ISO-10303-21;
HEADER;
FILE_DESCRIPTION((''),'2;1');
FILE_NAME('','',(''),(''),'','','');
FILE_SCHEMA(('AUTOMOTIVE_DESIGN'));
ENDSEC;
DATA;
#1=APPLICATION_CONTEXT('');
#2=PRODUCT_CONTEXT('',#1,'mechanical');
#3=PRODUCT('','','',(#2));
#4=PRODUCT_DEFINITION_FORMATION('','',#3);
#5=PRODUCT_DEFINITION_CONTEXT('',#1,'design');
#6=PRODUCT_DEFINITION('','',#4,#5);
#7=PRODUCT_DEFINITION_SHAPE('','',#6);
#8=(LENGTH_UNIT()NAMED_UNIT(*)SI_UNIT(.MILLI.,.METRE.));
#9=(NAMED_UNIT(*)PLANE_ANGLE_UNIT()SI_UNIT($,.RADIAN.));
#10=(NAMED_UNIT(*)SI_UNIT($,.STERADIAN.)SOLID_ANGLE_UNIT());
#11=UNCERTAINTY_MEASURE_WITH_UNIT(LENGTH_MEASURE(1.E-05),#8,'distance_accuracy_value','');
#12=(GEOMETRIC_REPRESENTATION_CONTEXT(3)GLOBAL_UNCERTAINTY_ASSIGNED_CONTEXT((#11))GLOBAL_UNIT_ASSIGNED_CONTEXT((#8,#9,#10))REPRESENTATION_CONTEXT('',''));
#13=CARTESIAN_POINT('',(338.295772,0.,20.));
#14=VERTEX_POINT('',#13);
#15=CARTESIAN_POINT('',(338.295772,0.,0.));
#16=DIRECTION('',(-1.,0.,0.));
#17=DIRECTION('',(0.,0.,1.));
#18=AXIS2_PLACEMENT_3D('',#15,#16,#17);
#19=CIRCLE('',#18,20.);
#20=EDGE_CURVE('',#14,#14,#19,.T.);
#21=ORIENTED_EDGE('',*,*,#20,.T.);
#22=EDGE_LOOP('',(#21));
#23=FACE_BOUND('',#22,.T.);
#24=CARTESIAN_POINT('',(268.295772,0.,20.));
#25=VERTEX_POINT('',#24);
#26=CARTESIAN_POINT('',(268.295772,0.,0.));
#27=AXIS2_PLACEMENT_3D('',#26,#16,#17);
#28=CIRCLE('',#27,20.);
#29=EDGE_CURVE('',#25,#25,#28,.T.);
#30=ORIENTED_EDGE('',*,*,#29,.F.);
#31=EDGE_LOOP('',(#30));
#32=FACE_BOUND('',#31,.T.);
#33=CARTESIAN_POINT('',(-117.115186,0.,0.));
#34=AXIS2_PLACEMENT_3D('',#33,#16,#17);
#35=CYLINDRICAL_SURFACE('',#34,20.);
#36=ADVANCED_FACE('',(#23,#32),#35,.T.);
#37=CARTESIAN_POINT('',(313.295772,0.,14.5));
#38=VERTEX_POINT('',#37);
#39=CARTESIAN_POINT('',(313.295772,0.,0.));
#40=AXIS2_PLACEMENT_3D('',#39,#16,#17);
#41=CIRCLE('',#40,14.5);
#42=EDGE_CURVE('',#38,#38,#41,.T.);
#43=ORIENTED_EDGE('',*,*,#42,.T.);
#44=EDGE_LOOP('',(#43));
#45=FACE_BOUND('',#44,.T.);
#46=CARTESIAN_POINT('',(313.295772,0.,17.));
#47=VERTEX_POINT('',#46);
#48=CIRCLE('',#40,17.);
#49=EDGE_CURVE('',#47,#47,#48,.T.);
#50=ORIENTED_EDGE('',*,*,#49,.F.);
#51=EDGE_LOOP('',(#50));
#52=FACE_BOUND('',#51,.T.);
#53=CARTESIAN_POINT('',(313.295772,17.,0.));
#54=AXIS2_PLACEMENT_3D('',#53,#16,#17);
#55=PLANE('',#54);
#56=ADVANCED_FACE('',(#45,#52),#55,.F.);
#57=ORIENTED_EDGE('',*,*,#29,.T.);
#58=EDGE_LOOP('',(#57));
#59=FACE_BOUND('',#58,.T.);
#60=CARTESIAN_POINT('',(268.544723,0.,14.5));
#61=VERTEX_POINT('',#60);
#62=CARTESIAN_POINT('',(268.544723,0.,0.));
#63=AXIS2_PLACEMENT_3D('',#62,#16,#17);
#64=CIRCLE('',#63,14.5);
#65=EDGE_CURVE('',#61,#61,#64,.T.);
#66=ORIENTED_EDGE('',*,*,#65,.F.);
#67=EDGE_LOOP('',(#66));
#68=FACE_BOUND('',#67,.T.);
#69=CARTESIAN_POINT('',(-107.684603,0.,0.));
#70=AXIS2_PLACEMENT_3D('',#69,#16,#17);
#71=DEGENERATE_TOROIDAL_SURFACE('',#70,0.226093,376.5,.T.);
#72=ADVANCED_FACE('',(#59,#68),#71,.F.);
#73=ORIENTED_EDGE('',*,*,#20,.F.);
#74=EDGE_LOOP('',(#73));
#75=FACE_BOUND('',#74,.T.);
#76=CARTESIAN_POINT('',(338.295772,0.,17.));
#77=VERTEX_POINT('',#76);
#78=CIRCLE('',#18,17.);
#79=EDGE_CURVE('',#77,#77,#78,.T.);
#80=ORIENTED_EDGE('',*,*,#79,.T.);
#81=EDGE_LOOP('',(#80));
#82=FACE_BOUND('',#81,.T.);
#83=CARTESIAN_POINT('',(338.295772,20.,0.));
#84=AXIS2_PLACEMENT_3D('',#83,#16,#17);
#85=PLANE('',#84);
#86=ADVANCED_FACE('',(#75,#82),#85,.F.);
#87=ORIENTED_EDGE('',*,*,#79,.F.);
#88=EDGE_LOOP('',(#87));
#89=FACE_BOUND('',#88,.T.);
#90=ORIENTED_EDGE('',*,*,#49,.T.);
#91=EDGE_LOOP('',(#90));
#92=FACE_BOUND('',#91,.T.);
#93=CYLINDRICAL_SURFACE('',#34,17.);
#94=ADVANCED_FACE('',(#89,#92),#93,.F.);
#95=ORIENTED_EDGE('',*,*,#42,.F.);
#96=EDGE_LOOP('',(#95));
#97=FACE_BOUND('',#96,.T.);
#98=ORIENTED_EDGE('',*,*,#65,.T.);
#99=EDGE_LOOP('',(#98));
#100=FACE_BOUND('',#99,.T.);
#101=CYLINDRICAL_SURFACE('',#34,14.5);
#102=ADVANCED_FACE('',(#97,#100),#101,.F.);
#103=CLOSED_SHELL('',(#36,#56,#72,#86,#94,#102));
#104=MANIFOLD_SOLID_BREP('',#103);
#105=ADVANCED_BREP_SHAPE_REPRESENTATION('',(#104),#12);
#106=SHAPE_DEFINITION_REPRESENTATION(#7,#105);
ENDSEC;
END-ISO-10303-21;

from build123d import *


with BuildPart() as part:
    # Sketch1 → Revolve2 (revolve)
    with BuildSketch(Plane.XY, mode=Mode.PRIVATE) as revolve2_sk:
        with BuildLine():
            Line((338.295772415, 20), (338.295772415, 17))
            Line((338.295772415, 17), (313.295772415, 17))
            Line((313.295772415, 17), (313.295772415, 14.5))
            Line((313.295772415, 14.5), (268.544722908, 14.5))
            ThreePointArc((268.544722908, 14.5), (268.43030124, 17.250455062), (268.295772415, 20))
            Line((268.295772415, 20), (338.295772415, 20))
        make_face()
    revolve(revolve2_sk.sketch.rotate(Axis((-117.115186337, 0, 0), (1, 0, 0)), 90), axis=Axis((-117.115186337, 0, 0), (1, 0, 0)))


solid = part.part
